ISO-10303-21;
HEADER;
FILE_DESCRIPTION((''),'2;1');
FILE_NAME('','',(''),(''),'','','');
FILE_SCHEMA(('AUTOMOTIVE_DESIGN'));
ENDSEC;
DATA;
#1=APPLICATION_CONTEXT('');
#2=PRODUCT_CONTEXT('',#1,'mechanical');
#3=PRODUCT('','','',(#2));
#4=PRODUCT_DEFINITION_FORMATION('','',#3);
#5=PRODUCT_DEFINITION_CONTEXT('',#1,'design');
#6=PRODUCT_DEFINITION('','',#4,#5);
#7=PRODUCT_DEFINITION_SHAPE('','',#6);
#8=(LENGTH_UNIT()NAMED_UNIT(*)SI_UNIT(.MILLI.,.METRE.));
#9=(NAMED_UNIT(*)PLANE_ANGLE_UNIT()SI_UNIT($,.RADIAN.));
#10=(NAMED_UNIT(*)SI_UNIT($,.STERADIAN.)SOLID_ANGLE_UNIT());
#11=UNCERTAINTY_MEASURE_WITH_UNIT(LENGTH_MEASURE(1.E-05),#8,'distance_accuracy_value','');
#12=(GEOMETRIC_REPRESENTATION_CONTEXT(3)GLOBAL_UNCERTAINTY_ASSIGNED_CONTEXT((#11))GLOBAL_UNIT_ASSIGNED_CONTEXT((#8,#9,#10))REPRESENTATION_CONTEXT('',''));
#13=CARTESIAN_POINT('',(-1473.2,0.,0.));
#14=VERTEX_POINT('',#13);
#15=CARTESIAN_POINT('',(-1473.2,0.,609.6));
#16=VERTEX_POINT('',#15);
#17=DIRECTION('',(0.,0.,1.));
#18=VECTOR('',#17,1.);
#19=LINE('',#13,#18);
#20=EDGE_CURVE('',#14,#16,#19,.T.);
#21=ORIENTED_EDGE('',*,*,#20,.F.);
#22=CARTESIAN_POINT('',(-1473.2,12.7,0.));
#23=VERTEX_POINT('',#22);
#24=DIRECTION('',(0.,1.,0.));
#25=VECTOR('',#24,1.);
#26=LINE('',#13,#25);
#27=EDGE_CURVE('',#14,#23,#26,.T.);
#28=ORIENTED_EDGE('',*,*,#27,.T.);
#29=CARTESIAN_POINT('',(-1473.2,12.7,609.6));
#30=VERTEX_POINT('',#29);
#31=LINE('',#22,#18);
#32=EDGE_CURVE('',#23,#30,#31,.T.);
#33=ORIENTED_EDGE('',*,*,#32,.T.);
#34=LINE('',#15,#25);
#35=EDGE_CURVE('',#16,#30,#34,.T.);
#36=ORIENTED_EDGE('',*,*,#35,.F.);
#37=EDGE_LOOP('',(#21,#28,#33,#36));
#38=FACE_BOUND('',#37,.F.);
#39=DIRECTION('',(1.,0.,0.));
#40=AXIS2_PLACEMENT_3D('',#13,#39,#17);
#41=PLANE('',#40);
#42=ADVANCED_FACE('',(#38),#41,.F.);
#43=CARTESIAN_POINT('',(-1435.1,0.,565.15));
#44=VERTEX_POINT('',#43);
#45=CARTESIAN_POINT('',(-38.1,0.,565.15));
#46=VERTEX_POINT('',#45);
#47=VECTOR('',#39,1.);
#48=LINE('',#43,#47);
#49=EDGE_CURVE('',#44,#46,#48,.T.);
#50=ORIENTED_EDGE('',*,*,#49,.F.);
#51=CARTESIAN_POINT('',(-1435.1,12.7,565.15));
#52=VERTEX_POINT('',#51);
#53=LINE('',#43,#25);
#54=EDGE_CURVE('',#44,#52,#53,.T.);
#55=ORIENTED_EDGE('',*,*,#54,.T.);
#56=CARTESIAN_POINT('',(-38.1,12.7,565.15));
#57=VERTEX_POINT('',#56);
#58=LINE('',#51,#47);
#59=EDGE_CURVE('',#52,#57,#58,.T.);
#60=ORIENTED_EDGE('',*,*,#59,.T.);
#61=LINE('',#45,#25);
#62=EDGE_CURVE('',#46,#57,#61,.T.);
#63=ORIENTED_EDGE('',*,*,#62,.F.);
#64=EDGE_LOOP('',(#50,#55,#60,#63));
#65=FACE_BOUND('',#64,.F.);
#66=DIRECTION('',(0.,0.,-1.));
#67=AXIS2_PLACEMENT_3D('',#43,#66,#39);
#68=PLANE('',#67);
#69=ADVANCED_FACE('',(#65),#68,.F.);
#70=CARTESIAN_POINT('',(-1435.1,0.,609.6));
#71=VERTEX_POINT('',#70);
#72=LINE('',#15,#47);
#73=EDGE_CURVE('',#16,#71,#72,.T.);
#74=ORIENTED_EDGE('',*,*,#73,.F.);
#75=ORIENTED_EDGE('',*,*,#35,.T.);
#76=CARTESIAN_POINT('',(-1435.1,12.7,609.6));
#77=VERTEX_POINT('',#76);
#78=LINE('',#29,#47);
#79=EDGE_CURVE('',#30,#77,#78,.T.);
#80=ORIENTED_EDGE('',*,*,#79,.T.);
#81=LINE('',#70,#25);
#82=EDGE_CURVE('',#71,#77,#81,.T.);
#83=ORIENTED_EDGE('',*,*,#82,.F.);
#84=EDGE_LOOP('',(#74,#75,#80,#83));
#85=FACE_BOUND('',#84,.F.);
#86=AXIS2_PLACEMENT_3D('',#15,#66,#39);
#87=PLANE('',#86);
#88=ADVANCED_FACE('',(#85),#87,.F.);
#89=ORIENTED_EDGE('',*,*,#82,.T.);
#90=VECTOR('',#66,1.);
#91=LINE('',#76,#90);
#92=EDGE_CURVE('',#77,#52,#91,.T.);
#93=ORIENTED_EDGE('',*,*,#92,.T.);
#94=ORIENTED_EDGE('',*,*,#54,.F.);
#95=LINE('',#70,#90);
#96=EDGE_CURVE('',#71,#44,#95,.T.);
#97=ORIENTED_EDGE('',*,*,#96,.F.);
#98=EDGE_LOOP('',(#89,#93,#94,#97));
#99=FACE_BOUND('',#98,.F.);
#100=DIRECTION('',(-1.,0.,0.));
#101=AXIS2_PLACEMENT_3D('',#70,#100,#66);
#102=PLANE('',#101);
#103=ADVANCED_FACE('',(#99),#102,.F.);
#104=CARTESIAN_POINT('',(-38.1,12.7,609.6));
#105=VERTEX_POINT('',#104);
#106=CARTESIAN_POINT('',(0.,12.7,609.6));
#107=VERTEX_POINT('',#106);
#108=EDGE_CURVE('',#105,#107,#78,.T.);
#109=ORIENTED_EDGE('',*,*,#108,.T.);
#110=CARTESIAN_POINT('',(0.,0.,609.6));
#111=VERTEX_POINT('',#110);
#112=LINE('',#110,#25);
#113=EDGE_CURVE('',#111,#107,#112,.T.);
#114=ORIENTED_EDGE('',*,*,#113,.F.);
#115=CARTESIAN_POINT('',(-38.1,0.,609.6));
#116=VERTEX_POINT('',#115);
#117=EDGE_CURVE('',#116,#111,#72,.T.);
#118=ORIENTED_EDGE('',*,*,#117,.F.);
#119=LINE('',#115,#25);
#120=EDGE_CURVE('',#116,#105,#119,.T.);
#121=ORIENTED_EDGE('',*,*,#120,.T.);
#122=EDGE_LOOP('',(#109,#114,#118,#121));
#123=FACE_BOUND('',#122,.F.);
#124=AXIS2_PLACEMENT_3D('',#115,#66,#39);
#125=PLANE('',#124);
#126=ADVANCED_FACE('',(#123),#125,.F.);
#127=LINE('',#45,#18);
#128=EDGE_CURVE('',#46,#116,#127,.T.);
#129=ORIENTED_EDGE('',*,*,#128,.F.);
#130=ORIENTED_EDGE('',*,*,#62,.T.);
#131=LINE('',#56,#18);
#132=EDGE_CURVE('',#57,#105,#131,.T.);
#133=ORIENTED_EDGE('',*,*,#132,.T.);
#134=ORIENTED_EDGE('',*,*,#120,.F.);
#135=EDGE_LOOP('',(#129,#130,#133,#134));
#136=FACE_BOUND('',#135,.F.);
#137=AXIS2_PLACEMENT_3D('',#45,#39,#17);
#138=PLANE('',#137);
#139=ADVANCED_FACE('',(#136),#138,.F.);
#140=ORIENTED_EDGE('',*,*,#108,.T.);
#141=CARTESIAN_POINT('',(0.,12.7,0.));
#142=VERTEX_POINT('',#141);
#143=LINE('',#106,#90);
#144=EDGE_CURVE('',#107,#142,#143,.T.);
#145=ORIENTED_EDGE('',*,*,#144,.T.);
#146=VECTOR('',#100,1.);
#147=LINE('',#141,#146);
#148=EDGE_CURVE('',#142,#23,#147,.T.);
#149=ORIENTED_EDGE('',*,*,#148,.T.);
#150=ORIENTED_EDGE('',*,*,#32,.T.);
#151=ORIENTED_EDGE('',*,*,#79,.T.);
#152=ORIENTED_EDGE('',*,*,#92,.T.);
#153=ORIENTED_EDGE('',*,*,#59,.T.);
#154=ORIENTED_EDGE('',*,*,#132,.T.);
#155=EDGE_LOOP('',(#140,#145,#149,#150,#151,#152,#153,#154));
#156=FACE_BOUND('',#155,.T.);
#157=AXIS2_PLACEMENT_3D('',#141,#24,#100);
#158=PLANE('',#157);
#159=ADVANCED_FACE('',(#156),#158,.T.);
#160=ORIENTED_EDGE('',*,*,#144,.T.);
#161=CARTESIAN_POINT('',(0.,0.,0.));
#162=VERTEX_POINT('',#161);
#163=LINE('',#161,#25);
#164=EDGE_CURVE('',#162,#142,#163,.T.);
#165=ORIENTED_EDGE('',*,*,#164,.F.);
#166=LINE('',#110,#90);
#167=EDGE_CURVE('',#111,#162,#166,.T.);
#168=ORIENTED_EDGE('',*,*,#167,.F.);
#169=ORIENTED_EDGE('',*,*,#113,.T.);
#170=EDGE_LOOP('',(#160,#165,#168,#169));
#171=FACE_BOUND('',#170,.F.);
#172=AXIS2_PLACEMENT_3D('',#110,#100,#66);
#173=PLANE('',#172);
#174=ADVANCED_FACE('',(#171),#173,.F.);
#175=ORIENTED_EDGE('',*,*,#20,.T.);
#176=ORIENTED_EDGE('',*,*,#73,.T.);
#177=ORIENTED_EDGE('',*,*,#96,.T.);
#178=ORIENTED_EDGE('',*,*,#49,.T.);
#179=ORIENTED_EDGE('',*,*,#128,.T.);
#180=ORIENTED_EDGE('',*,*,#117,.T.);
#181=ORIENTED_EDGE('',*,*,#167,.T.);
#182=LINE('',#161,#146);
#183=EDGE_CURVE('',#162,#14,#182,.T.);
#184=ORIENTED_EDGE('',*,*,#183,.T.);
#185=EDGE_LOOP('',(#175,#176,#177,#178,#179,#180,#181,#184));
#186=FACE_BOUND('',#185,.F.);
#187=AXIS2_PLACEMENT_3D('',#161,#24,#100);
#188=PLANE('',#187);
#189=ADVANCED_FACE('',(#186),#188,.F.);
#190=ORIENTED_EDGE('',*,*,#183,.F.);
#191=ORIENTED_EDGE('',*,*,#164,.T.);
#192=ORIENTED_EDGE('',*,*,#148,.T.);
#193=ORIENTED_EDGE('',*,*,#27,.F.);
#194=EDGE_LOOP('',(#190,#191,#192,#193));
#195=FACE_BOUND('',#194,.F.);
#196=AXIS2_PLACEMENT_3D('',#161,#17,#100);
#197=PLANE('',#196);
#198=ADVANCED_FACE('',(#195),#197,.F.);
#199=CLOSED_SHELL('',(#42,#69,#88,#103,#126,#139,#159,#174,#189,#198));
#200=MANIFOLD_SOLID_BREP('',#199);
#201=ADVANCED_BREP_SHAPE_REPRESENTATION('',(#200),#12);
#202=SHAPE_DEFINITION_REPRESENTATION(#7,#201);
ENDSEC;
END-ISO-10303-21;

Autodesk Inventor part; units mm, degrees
ref_plane "YZ Plane" through (0, 0, 0) normal (1, 0, 0) x (0, 1, 0)
ref_plane "XZ Plane" through (0, 0, 0) normal (0, 1, 0) x (-1, 0, 0)
ref_plane "XY Plane" through (0, 0, 0) normal (0, 0, 1) x (1, 0, 0)
sketch "Sketch1" plane through (0, 0, 0) normal (0, 1, 0) x (-1, 0, 0)
  line L0 (0, 0) -> (1473.2, 0)
  line L1 (1473.2, 0) -> (1473.2, 609.6)
  line L2 (1473.2, 609.6) -> (0, 609.6)
  line L3 (0, 609.6) -> (0, 0)
  line L4 (1435.1, 609.6) -> (1435.1, 565.15)
  line L5 (1435.1, 565.15) -> (38.1, 565.15)
  line L6 (38.1, 565.15) -> (38.1, 609.6)
  dimension "d0" = 1473.2
  dimension "d1" = 609.6
  dimension "d4" = 44.45
  dimension "d10" = 38.1
  dimension "d11" = 38.1
extrude "Extrusion2" add sketch "Sketch1" along normal blind 12.7 contours L3 L2 L6 L5 L4 L1 L0
properties part number "top-plate" material "Wood (Cherry)"
